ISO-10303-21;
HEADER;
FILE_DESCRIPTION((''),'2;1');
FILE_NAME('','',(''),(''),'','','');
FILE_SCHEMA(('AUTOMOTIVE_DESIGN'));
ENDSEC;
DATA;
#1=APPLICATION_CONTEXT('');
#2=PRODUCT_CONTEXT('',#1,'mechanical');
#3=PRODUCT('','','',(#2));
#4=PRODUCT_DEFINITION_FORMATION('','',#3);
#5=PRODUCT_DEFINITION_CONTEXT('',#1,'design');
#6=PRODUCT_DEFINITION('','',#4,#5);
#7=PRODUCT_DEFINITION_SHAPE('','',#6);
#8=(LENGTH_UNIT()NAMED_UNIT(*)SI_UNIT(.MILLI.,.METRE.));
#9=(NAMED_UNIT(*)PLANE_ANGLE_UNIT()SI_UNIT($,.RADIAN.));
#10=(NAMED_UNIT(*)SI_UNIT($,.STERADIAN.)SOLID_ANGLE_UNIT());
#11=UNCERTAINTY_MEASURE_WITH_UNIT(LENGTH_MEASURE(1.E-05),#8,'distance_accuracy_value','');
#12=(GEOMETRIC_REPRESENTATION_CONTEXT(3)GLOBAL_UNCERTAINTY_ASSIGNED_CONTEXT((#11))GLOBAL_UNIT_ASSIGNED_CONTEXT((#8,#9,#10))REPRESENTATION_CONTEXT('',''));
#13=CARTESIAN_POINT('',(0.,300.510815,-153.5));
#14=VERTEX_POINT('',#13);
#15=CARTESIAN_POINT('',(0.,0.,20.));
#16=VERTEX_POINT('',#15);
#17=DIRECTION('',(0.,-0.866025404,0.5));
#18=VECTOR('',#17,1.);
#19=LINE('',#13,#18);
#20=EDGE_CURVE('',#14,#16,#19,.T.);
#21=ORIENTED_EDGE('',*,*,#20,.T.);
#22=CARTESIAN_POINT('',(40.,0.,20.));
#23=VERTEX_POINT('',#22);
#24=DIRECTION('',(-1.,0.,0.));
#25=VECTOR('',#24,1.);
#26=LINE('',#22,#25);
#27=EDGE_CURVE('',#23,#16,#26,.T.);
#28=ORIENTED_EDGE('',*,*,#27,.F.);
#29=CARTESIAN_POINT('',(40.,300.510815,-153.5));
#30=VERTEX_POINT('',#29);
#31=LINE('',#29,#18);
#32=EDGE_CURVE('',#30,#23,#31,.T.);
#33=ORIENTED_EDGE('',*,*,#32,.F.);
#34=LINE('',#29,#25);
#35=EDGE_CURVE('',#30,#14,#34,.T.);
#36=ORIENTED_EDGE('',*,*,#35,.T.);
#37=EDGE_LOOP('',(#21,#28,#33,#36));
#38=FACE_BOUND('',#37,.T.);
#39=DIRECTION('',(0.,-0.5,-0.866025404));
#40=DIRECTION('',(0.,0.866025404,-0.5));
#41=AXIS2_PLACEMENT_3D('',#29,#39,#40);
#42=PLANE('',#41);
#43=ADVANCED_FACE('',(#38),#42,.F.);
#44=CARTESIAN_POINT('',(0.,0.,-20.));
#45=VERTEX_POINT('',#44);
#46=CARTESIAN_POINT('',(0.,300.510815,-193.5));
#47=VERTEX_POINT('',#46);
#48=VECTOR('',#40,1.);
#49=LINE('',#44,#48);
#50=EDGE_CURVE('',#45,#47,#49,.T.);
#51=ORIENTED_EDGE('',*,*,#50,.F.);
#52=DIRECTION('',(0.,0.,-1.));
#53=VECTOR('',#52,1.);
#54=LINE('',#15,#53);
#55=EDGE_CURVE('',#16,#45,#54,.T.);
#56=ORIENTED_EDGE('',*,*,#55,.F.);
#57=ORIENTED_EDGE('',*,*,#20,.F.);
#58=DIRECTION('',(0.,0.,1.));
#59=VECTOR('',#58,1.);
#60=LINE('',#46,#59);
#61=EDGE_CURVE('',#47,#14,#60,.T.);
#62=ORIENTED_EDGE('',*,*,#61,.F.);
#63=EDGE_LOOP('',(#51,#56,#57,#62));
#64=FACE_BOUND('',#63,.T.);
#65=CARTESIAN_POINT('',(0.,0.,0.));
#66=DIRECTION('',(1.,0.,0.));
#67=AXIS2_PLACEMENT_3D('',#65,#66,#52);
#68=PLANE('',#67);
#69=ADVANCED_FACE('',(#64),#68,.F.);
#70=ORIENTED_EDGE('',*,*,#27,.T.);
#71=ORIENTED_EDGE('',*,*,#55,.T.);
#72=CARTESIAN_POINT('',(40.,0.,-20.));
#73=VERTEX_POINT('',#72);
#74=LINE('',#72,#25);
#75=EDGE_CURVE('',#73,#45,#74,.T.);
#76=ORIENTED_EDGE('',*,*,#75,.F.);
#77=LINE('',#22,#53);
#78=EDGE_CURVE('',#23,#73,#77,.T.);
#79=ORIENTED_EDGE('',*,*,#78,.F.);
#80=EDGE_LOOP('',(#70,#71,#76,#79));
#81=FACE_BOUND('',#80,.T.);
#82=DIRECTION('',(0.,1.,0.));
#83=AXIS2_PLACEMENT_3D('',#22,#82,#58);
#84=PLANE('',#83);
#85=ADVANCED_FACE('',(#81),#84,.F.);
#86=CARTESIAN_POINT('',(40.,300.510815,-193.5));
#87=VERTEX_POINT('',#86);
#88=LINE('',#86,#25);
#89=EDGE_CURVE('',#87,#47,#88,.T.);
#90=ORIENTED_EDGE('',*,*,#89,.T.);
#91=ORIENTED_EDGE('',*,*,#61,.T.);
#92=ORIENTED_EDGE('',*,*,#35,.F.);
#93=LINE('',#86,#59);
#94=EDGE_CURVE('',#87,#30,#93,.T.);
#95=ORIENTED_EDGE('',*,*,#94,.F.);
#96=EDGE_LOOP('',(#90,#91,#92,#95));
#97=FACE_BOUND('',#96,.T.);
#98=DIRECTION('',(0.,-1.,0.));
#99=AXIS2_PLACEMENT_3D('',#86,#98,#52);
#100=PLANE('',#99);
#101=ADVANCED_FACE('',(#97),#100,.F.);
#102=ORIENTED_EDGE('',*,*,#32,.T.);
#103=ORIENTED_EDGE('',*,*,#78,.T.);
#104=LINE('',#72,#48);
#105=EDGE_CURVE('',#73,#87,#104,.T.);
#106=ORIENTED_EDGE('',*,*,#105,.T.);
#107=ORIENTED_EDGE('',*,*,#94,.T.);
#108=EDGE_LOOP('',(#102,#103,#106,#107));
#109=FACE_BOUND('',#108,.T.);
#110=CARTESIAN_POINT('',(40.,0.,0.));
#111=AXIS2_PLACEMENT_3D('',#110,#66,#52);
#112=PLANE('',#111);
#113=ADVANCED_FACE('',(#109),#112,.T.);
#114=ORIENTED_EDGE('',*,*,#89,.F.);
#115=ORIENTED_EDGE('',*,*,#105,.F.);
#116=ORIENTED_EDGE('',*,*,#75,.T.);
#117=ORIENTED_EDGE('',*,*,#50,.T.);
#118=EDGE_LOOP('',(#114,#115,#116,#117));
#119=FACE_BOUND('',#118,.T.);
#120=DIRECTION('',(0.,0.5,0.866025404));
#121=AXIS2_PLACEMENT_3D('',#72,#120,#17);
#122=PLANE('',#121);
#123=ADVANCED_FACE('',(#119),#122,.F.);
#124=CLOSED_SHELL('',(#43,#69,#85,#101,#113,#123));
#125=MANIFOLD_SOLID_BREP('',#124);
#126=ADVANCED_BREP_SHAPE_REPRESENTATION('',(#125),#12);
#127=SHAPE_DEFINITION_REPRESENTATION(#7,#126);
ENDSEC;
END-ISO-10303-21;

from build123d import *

# Parameters (mm, degrees)
BOSS_EXTRUDE2_DEPTH = 40


with BuildPart() as part:
    # Sketch2 → Boss-Extrude2 (new body)
    with BuildSketch(Plane(origin=(0, 0, 0), x_dir=(0, 0, -1), z_dir=(1, 0, 0))):
        Polygon((-20, 0), (20, 0), (193.5, 300.510815113), (153.5, 300.510815113), align=None)
    extrude(amount=BOSS_EXTRUDE2_DEPTH)


solid = part.part
